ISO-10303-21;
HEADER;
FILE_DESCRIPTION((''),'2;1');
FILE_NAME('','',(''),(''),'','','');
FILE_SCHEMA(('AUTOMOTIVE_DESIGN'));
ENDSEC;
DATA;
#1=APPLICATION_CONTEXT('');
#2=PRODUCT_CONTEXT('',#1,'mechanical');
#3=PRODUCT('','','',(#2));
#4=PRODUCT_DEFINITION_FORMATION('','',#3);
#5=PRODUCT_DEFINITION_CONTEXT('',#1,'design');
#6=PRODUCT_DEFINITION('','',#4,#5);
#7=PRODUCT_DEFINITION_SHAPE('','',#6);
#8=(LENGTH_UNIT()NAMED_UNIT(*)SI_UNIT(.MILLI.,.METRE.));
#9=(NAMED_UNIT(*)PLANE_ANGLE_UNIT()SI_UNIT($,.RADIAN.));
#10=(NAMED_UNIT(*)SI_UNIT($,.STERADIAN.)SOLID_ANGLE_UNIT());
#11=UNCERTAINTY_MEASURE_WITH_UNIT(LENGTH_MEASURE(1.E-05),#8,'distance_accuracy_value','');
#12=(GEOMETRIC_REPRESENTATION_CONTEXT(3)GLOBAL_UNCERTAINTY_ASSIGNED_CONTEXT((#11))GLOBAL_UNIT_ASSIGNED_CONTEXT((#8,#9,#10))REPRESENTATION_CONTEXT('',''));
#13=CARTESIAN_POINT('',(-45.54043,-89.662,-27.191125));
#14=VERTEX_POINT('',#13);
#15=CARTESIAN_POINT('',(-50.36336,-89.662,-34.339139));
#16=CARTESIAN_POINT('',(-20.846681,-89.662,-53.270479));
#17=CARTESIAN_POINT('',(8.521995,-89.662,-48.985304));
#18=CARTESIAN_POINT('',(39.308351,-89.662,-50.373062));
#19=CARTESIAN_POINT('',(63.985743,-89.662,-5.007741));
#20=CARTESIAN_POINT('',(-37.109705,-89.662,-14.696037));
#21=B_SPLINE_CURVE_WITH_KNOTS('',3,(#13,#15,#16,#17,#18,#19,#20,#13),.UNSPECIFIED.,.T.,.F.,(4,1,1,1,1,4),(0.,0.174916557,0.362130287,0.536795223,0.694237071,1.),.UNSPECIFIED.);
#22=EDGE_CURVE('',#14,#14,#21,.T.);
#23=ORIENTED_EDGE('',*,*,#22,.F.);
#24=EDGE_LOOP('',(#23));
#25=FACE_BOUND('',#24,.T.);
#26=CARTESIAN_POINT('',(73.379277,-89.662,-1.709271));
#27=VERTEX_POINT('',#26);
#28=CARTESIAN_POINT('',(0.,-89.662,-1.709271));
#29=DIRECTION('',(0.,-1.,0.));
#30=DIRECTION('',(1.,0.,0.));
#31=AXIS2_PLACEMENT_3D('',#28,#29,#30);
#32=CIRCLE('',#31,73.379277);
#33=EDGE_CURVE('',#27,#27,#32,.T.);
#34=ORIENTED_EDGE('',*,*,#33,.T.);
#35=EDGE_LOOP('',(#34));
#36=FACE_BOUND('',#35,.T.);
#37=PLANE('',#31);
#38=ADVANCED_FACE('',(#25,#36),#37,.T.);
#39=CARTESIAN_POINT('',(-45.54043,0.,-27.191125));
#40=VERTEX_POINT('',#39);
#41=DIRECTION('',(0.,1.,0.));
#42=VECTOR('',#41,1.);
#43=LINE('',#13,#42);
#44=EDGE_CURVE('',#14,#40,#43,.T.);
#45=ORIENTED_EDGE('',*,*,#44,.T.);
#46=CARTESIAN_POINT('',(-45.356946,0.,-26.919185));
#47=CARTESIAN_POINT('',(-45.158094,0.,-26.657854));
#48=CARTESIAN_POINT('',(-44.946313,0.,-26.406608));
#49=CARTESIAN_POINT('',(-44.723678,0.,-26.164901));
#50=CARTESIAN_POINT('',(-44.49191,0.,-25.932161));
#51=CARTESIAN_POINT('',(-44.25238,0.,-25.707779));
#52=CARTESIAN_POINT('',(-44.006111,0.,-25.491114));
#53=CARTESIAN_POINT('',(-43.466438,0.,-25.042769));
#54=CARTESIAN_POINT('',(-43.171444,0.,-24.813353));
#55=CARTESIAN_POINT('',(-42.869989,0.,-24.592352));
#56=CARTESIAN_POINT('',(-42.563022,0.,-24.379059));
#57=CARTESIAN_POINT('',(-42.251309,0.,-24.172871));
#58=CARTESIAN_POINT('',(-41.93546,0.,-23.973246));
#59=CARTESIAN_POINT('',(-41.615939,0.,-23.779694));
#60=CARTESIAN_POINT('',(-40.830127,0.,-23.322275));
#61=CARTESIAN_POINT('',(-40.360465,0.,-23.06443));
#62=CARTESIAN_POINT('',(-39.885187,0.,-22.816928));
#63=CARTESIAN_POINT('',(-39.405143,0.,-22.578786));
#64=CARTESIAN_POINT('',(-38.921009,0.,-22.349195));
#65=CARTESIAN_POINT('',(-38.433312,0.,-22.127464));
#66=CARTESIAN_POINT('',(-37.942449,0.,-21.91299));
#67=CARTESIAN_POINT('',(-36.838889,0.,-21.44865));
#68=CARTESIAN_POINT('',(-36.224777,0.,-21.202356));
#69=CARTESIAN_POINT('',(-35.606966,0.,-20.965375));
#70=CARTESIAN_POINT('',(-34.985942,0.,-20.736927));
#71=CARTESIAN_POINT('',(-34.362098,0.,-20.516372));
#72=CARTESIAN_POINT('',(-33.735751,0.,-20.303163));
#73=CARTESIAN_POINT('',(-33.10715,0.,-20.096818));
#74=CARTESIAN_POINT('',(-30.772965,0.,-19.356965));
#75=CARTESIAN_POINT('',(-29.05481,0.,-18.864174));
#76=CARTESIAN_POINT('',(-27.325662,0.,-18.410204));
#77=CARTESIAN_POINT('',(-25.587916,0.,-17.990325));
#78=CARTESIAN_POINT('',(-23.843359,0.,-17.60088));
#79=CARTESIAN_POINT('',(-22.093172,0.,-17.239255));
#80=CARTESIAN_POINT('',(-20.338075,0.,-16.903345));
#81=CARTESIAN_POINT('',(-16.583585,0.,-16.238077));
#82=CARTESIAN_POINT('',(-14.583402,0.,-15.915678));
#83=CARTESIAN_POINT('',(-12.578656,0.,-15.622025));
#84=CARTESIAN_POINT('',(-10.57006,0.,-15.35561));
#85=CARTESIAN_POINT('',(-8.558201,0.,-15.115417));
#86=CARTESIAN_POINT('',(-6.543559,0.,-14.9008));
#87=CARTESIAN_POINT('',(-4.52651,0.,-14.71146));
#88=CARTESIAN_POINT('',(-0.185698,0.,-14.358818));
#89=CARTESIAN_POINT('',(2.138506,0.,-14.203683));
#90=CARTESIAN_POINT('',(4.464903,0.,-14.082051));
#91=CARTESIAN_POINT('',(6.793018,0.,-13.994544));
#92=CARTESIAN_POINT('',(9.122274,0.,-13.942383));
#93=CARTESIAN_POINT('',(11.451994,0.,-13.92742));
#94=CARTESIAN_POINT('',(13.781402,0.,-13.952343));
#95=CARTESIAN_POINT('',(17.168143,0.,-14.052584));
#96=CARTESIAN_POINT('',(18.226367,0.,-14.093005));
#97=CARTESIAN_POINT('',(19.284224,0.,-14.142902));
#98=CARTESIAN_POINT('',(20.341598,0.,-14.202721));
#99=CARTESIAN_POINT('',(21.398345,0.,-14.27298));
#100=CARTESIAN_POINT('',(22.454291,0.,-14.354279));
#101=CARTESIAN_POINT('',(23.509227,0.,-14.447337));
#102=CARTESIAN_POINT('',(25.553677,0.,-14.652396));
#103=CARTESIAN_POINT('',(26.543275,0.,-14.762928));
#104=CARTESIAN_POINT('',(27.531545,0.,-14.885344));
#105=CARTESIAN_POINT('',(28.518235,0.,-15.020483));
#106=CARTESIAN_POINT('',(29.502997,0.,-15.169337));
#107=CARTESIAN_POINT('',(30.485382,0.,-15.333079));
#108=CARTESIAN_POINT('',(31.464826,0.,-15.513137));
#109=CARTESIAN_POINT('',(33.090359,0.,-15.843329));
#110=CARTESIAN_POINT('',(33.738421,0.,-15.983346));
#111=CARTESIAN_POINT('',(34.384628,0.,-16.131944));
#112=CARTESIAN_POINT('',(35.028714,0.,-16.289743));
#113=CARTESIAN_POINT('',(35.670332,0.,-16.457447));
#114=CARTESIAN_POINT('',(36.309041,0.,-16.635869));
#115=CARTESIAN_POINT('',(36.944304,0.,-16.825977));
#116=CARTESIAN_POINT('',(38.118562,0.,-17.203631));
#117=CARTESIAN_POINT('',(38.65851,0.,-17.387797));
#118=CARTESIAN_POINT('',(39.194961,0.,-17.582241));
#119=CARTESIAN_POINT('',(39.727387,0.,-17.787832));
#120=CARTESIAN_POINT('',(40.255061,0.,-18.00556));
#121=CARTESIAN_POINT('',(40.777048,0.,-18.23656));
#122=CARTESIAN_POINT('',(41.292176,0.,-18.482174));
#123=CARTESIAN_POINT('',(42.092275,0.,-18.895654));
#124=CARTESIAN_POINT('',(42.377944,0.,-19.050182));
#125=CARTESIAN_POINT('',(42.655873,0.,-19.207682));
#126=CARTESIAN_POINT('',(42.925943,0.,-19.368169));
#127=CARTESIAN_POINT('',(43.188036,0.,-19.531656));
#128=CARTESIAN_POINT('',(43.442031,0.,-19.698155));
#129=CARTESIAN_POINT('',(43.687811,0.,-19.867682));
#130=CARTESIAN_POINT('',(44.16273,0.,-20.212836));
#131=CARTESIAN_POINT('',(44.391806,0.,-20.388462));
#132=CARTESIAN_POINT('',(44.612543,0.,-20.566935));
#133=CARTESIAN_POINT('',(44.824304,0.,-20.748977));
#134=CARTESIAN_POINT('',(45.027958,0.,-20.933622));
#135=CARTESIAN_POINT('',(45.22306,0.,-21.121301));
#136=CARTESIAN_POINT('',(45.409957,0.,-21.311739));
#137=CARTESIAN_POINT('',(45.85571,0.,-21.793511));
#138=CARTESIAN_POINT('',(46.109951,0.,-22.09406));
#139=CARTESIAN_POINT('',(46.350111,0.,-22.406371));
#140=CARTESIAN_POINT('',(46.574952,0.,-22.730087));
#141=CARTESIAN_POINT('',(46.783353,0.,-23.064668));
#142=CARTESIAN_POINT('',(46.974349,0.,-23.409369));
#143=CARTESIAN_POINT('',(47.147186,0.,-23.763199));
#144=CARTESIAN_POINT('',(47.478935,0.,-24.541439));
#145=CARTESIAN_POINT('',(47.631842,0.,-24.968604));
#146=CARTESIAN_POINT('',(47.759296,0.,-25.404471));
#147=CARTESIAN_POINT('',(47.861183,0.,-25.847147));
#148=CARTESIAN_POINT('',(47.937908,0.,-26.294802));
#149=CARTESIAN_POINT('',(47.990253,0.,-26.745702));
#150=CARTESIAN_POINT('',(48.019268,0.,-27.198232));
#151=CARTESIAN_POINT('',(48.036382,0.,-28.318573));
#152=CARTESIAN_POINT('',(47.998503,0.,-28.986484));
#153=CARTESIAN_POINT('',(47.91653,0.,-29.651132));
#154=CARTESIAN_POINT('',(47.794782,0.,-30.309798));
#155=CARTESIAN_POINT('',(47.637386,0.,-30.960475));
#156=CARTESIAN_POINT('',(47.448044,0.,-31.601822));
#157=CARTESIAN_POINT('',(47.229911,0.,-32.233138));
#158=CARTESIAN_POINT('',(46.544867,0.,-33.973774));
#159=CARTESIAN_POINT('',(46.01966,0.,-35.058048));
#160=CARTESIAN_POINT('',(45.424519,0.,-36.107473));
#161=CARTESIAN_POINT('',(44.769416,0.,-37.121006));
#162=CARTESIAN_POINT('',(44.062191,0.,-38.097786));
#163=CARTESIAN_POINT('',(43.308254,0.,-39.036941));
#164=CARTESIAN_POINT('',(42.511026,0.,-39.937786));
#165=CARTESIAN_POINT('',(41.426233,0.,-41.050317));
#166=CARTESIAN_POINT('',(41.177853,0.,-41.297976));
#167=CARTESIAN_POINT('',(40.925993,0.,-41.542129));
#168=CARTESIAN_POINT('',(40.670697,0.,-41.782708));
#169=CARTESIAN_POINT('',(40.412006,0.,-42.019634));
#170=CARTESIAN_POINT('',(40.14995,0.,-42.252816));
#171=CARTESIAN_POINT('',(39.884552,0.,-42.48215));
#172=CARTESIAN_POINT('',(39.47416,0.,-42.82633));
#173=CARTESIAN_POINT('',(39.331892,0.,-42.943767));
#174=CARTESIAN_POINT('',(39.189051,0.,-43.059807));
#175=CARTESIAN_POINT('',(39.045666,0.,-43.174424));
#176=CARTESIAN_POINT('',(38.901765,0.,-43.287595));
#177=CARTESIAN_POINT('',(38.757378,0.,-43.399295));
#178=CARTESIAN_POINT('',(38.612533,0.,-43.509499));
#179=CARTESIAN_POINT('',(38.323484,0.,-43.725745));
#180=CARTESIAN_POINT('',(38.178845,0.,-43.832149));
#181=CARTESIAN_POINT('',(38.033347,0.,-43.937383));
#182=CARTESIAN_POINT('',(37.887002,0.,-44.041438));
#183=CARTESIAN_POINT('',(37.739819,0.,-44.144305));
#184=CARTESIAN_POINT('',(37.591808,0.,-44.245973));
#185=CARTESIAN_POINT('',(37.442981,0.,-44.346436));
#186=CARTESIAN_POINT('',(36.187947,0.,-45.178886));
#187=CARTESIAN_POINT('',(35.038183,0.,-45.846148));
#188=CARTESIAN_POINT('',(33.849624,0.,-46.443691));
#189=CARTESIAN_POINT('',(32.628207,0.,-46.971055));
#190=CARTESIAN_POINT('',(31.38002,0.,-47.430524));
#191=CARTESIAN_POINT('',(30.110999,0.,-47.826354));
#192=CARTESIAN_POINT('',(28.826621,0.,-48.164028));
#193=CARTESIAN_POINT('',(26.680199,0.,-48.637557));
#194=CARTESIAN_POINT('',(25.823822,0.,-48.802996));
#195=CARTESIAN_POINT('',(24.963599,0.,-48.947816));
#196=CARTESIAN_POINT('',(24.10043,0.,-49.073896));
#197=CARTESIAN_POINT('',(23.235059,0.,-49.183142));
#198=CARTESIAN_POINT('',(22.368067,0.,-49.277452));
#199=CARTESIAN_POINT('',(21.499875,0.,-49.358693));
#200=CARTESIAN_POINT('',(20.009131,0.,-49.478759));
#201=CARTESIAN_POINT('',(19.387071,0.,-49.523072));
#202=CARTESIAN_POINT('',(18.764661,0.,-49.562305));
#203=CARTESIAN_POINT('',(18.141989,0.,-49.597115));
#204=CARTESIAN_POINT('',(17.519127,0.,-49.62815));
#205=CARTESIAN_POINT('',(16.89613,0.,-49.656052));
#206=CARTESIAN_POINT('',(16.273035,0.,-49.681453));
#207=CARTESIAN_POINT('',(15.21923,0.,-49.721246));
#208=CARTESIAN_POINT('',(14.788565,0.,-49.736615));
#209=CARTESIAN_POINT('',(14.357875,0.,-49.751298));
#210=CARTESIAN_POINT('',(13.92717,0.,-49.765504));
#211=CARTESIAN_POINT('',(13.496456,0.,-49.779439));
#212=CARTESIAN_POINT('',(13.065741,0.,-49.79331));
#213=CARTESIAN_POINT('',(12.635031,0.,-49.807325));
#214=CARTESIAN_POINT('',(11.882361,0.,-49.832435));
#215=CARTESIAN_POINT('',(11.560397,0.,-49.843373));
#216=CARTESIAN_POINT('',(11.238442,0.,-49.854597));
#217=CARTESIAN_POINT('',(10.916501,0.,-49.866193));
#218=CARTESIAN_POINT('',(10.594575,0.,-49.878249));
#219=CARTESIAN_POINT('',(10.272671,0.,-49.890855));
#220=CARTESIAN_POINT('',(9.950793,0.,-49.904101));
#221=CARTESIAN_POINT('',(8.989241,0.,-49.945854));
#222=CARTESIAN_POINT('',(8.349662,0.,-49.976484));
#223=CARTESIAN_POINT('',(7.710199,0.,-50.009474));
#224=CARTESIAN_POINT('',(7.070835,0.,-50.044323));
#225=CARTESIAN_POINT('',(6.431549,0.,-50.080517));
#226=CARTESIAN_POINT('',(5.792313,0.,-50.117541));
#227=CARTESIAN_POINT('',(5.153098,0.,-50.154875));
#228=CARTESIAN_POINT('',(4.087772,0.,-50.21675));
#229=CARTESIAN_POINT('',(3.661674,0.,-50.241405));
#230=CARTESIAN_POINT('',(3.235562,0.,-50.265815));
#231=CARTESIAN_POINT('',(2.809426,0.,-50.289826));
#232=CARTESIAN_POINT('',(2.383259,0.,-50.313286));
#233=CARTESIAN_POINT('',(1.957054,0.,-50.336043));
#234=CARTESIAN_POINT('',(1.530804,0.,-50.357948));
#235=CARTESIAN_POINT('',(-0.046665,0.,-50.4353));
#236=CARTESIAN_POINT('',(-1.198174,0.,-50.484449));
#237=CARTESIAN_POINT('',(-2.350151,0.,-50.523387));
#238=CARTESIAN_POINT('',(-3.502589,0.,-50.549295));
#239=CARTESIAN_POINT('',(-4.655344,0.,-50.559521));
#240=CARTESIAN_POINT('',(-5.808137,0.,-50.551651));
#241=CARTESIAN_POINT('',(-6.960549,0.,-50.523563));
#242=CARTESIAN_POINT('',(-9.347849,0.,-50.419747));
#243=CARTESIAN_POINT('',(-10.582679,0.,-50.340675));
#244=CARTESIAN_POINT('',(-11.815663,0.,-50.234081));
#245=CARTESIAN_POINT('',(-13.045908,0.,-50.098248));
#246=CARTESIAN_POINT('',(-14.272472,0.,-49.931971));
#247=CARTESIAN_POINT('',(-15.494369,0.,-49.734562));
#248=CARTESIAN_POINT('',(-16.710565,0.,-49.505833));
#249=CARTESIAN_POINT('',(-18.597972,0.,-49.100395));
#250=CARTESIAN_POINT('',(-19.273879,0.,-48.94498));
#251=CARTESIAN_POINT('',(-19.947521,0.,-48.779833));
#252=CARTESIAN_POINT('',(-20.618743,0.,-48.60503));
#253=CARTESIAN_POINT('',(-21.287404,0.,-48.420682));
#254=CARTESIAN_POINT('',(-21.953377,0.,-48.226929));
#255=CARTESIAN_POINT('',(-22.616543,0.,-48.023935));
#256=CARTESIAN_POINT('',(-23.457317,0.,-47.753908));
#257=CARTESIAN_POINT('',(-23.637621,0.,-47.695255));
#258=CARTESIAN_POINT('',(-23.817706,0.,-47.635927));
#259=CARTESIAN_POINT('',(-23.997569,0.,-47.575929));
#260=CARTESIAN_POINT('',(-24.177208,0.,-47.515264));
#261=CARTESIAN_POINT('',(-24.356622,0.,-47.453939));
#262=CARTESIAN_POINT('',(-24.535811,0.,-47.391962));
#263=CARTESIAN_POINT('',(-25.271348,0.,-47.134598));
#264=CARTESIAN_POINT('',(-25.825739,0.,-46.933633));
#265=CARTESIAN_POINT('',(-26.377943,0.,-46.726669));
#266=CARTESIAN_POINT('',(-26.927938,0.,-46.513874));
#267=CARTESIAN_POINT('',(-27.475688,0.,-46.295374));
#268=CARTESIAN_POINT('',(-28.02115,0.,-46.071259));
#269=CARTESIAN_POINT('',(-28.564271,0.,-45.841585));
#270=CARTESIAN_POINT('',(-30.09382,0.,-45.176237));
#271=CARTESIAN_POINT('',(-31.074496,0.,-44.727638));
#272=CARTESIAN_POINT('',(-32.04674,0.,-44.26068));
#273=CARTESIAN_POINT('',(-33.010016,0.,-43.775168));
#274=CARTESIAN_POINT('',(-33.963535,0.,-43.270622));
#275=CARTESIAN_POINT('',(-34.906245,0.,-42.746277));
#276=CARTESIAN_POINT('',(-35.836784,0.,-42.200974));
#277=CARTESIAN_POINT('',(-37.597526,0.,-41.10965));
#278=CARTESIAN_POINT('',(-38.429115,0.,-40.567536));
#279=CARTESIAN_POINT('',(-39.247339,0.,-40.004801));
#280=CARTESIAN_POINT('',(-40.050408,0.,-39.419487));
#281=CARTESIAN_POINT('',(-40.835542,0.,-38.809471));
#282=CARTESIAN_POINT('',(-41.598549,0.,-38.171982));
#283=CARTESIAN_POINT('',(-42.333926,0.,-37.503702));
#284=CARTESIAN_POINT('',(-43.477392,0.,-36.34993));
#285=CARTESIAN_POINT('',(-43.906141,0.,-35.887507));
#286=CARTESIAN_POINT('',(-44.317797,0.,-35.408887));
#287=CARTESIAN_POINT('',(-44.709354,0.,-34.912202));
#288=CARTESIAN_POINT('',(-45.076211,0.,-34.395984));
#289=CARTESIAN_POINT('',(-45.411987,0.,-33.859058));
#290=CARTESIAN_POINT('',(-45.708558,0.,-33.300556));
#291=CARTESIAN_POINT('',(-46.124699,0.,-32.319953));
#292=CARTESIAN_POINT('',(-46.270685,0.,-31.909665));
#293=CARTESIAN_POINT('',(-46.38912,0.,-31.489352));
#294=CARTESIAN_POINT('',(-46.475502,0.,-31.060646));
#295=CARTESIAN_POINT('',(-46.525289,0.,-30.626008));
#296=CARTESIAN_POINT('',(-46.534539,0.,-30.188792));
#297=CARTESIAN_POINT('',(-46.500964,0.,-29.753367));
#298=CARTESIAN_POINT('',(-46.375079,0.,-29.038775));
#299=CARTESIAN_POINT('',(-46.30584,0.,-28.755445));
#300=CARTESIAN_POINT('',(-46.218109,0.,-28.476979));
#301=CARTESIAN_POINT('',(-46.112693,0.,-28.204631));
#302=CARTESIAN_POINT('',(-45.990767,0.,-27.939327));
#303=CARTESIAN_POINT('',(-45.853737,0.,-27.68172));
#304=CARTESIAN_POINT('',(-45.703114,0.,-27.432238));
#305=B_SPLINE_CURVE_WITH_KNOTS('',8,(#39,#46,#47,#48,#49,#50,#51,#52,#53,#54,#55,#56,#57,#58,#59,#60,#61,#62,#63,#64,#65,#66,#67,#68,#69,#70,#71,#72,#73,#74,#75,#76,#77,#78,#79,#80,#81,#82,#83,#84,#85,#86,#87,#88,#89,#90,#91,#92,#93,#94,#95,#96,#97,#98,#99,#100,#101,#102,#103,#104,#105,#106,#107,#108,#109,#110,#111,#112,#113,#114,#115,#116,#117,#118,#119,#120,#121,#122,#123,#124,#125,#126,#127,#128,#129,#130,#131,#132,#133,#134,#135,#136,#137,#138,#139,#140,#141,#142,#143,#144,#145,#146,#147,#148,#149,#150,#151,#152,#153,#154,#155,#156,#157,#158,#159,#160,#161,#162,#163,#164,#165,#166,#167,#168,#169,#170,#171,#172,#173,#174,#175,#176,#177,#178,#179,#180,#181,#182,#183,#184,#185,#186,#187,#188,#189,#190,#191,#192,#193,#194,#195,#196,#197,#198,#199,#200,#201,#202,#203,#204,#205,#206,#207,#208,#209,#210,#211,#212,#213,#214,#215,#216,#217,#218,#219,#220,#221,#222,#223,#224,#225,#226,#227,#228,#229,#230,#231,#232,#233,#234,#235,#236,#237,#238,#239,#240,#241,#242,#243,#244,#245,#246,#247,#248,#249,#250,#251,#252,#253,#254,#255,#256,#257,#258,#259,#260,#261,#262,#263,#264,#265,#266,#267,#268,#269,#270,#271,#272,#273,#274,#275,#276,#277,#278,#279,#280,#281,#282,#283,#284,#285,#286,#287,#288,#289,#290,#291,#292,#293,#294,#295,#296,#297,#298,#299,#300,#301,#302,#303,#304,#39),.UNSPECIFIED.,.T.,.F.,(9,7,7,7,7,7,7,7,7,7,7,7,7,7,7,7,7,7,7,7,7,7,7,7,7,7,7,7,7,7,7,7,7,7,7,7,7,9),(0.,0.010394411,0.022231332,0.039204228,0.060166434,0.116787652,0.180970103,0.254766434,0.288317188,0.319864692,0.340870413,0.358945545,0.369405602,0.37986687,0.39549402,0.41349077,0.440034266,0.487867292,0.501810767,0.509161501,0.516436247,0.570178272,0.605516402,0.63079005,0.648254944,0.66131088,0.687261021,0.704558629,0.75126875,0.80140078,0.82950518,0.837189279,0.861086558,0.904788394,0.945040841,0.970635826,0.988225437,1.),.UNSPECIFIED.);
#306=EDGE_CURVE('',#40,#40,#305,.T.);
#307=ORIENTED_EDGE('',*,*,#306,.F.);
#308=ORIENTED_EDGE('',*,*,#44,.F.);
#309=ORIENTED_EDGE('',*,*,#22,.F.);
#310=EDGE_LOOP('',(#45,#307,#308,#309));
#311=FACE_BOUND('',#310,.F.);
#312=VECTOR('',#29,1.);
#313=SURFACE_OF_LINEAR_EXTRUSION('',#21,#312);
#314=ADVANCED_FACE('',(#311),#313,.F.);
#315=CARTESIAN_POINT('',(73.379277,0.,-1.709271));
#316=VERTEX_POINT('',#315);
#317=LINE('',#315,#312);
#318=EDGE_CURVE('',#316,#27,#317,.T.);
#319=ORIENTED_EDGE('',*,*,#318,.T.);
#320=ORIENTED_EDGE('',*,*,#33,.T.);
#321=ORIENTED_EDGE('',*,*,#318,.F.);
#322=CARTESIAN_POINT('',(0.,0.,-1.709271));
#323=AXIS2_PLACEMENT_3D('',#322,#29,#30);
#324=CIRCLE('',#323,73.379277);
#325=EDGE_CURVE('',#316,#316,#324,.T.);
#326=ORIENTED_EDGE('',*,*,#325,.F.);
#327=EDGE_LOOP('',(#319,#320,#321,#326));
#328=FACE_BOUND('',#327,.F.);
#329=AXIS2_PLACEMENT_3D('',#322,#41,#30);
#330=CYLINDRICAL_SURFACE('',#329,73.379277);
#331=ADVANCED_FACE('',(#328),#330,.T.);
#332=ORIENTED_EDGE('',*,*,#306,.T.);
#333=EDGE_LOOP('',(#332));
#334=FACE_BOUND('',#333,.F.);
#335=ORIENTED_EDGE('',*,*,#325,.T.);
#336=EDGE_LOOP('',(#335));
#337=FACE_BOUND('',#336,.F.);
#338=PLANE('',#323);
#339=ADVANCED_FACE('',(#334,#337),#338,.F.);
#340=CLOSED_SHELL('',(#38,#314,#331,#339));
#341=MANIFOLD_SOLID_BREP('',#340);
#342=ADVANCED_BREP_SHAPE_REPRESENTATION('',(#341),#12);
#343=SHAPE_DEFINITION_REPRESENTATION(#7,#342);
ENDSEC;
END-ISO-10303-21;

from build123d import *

# Parameters (mm, degrees)
F0_R     = 73.3792770695
F1_DEPTH = 89.662
F3_DEPTH = 343.662


with BuildPart() as f1:
    # F0 (on Front) → F1 (new body)
    with BuildSketch(Plane.XZ):
        with Locations((0, -1.7092707567)):
            Circle(F0_R)
    extrude(amount=F1_DEPTH)

    # F2 (on face) → F3 (cut)
    with BuildSketch(Plane.XZ.offset(89.662)):
        with BuildLine():
            add(Edge.make_bspline(
                [(-45.5404296517, -27.1911248565), (-50.3633601669, -34.3391391308), (-20.8466812151, -53.270478733), (8.5219954977, -48.9853039344), (39.3083512293, -50.3730619622), (63.9857433846, -5.00774103), (-37.1097048161, -14.6960368019), (-45.5404296517, -27.1911248565)],
                knots=[0, 0, 0, 0, 0.174916557, 0.3621302866, 0.5367952225, 0.6942370708, 1, 1, 1, 1], degree=3))
        make_face()
    extrude(amount=-F3_DEPTH, mode=Mode.SUBTRACT)


solid = f1.part
